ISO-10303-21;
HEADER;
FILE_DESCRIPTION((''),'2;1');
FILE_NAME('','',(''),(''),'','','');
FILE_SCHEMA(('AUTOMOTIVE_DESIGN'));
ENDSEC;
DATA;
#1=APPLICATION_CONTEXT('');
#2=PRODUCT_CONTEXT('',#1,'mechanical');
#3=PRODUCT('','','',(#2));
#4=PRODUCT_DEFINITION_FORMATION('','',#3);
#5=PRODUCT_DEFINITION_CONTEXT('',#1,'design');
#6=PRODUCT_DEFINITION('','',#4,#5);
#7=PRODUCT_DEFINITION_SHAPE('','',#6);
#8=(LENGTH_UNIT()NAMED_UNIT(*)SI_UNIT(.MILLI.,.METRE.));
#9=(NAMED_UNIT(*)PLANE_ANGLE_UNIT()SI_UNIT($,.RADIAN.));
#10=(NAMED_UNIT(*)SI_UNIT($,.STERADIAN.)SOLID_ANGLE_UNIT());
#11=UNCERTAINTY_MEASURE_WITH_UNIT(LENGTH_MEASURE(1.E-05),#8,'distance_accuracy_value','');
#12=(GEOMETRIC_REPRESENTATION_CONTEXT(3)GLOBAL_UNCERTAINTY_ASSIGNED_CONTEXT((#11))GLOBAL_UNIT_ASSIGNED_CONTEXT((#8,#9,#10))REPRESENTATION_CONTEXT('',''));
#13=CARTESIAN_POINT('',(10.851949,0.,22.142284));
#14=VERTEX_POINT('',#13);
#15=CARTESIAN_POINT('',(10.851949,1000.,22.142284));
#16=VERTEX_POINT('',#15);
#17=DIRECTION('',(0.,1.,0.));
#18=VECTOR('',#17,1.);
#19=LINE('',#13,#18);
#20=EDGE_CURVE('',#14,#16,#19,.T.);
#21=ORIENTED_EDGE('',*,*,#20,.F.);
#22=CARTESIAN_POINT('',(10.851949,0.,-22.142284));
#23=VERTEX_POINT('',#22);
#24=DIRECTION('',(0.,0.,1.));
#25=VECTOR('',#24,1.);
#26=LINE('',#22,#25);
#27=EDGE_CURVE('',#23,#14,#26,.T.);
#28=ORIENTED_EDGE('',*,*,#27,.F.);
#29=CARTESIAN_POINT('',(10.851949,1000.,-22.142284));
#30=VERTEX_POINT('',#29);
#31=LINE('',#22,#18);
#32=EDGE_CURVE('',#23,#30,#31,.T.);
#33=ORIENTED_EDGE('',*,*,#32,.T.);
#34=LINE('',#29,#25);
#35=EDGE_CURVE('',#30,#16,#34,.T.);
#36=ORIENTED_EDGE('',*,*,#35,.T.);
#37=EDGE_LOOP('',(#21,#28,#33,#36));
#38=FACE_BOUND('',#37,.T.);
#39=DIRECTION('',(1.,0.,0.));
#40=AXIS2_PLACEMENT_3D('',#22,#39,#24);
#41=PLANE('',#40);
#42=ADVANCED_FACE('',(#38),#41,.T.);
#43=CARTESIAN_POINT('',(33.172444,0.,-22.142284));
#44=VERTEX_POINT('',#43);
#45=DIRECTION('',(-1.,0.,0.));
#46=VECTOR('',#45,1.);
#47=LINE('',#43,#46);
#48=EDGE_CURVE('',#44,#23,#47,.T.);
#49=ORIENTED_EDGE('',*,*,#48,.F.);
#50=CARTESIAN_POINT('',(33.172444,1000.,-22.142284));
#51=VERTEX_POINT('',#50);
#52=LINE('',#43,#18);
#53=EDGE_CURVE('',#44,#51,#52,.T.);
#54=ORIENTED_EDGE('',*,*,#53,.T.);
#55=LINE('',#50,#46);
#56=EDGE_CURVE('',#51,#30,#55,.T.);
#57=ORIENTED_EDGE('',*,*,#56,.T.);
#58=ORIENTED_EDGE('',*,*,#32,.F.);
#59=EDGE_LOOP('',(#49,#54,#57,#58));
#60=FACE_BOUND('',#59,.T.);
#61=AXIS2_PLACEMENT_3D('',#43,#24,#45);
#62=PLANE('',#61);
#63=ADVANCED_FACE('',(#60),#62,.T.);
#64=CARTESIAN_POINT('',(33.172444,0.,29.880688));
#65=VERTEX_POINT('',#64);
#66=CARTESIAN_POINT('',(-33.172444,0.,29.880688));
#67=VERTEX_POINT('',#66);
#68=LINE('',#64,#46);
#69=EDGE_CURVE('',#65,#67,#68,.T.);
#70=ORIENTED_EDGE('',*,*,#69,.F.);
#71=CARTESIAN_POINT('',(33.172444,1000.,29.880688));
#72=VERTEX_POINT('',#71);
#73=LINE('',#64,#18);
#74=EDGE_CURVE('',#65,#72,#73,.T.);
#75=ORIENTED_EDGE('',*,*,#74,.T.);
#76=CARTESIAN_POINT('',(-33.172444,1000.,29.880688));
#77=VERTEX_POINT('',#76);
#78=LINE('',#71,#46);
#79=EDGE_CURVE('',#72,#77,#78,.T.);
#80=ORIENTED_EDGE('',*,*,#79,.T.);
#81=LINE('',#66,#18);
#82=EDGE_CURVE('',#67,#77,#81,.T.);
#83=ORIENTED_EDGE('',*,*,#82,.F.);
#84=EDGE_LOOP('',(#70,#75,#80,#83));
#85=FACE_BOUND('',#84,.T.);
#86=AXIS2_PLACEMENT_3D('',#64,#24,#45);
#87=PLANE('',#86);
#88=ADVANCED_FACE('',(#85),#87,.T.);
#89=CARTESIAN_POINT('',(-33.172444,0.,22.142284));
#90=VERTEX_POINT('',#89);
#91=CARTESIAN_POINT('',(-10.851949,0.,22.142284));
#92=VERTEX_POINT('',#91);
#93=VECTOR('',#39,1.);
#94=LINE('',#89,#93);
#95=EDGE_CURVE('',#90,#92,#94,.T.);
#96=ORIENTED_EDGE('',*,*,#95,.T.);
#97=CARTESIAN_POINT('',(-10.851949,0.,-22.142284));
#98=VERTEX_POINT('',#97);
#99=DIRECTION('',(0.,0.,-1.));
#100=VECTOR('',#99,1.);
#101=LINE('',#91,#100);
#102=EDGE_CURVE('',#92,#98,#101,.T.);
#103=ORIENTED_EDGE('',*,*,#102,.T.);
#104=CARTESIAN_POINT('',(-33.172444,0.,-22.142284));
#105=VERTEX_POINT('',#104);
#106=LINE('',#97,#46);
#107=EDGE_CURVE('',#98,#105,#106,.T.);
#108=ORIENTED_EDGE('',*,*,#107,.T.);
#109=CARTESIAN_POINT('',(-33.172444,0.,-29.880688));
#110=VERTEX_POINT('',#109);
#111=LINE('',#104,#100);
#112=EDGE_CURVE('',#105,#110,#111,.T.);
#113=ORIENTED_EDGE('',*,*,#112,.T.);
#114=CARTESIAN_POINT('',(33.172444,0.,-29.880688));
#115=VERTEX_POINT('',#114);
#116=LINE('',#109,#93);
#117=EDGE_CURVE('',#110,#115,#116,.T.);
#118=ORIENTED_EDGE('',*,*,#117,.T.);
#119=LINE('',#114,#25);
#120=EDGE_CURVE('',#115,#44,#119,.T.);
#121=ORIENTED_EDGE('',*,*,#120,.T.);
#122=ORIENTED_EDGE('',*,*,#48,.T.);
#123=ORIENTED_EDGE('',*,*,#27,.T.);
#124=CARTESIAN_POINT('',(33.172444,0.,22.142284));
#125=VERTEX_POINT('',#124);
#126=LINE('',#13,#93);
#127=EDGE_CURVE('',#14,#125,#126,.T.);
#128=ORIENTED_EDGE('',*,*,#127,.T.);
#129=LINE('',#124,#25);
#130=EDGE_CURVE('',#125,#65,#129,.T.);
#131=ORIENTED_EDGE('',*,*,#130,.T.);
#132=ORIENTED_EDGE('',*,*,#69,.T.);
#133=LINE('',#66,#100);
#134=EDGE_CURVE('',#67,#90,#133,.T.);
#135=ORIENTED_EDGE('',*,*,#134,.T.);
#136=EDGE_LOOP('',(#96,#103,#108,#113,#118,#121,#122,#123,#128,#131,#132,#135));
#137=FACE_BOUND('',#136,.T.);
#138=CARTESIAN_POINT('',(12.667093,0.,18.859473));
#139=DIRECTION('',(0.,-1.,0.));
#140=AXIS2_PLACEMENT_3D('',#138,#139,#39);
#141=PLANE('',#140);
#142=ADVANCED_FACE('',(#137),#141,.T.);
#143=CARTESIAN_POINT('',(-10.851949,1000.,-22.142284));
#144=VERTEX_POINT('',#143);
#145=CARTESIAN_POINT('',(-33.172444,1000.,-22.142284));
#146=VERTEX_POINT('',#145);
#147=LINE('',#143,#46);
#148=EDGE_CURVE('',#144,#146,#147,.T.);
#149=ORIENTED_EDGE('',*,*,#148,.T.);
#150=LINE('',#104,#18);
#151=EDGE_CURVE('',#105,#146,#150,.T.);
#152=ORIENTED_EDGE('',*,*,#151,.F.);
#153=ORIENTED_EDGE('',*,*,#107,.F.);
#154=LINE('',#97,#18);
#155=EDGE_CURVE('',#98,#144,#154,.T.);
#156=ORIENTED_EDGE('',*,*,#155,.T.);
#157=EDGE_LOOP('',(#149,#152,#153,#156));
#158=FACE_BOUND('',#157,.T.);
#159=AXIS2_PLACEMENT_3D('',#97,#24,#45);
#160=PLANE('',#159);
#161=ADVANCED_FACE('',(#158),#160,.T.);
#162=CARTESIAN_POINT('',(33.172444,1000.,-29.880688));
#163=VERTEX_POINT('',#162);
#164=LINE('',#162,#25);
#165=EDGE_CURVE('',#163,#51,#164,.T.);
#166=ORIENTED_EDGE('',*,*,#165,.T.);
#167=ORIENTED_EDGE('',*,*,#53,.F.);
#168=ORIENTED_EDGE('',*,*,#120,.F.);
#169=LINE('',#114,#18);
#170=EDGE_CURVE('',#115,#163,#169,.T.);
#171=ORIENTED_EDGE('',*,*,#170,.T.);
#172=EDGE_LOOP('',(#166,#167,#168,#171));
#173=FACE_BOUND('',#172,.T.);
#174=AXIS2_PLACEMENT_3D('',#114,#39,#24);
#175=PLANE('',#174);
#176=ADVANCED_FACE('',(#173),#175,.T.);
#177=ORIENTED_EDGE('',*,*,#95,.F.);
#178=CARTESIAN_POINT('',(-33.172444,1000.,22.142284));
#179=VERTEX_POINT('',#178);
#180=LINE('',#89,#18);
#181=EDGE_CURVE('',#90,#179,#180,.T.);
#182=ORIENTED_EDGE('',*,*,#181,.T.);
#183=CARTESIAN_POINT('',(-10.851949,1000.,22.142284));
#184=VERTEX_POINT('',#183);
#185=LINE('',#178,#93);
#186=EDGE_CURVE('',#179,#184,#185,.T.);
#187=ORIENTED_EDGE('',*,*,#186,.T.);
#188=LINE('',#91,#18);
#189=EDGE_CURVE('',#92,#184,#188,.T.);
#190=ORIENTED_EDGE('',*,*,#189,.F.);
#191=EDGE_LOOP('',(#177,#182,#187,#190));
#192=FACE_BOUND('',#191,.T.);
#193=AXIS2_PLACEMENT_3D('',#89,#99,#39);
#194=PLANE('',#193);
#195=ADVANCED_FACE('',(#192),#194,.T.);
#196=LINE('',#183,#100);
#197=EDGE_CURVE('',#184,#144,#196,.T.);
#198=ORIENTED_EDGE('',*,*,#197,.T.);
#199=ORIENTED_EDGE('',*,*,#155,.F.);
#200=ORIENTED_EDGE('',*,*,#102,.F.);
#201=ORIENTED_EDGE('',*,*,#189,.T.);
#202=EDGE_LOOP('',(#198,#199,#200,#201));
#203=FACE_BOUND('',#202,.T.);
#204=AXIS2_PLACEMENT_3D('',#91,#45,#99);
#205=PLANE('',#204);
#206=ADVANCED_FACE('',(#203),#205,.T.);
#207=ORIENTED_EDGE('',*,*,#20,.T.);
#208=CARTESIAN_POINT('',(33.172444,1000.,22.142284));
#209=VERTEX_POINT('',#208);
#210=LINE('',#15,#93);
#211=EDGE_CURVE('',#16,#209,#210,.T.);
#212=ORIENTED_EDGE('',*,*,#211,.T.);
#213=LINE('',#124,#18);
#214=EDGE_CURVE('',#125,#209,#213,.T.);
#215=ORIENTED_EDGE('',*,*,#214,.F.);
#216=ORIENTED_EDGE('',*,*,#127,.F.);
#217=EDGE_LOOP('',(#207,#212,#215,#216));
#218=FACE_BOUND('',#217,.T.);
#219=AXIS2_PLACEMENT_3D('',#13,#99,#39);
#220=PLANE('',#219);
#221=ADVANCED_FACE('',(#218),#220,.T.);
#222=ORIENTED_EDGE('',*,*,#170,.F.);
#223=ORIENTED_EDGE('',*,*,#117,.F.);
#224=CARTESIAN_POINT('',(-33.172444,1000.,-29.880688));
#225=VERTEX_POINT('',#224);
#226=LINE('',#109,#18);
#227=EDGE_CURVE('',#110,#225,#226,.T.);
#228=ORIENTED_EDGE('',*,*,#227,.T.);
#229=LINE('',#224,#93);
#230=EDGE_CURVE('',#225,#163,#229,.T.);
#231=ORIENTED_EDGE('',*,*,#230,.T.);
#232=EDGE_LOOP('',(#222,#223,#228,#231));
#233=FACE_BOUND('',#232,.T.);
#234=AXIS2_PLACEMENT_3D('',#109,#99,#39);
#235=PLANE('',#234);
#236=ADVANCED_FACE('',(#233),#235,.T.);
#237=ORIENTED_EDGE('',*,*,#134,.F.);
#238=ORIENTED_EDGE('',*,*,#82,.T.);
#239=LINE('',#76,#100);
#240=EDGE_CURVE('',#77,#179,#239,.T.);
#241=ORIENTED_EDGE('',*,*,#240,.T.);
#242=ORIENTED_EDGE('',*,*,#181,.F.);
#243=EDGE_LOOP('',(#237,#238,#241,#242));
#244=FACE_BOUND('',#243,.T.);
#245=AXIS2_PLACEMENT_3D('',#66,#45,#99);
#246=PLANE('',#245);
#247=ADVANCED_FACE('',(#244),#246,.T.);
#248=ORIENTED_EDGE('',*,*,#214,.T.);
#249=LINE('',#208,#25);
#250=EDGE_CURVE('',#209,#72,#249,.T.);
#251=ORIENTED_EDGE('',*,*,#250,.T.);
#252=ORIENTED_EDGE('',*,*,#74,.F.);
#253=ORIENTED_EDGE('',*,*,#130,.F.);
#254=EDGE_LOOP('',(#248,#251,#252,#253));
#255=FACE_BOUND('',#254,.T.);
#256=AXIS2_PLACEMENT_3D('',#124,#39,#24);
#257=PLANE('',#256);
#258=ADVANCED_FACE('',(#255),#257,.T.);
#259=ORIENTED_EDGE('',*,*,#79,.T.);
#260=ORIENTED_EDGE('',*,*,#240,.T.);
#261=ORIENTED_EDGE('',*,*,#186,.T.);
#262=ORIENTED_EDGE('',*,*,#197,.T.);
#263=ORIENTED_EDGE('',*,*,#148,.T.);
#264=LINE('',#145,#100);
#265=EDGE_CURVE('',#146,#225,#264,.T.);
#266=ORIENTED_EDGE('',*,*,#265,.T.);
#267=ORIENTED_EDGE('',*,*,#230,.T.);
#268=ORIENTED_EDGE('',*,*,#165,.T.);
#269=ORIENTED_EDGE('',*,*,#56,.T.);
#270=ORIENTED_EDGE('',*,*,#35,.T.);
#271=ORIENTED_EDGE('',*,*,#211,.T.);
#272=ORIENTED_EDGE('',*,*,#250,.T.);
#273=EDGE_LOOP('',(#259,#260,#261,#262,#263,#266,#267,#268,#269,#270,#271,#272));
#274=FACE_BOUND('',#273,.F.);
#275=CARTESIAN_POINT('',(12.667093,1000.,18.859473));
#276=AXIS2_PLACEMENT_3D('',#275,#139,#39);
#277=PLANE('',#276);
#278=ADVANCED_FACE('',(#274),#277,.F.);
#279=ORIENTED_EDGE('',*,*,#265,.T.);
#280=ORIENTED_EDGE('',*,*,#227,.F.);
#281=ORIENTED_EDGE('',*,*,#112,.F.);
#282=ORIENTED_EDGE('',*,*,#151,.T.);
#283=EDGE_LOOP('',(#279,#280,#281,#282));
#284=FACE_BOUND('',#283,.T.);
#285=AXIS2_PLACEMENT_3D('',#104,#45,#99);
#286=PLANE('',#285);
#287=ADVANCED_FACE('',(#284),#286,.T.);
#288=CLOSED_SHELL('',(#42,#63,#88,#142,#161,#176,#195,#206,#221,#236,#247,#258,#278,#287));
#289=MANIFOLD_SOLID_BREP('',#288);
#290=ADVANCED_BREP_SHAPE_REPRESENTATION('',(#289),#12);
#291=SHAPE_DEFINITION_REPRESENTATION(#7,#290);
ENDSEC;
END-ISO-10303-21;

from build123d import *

# Parameters (mm, degrees)
F1_DEPTH = 1000


with BuildPart() as f1:
    # F0 (on Front) → F1 (new body)
    with BuildSketch(Plane.XZ):
        Polygon((0, 29.880688), (0, 0), (10.851949, 0), (10.851949, 22.142284), (33.172444, 22.142284), (33.172444, 29.880688), align=None)
        Polygon((0, 0), (-10.851949, 0), (-10.851949, -22.142284), (-33.172444, -22.142284), (-33.172444, -29.880688), (0, -29.880688), (33.172444, -29.880688), (33.172444, -22.142284), (10.851949, -22.142284), (10.851949, 0), align=None)
        Polygon((-10.851949, 22.142284), (-10.851949, 0), (0, 0), (0, 29.880688), (-33.172444, 29.880688), (-33.172444, 22.142284), align=None)
    extrude(amount=-F1_DEPTH)


solid = f1.part
